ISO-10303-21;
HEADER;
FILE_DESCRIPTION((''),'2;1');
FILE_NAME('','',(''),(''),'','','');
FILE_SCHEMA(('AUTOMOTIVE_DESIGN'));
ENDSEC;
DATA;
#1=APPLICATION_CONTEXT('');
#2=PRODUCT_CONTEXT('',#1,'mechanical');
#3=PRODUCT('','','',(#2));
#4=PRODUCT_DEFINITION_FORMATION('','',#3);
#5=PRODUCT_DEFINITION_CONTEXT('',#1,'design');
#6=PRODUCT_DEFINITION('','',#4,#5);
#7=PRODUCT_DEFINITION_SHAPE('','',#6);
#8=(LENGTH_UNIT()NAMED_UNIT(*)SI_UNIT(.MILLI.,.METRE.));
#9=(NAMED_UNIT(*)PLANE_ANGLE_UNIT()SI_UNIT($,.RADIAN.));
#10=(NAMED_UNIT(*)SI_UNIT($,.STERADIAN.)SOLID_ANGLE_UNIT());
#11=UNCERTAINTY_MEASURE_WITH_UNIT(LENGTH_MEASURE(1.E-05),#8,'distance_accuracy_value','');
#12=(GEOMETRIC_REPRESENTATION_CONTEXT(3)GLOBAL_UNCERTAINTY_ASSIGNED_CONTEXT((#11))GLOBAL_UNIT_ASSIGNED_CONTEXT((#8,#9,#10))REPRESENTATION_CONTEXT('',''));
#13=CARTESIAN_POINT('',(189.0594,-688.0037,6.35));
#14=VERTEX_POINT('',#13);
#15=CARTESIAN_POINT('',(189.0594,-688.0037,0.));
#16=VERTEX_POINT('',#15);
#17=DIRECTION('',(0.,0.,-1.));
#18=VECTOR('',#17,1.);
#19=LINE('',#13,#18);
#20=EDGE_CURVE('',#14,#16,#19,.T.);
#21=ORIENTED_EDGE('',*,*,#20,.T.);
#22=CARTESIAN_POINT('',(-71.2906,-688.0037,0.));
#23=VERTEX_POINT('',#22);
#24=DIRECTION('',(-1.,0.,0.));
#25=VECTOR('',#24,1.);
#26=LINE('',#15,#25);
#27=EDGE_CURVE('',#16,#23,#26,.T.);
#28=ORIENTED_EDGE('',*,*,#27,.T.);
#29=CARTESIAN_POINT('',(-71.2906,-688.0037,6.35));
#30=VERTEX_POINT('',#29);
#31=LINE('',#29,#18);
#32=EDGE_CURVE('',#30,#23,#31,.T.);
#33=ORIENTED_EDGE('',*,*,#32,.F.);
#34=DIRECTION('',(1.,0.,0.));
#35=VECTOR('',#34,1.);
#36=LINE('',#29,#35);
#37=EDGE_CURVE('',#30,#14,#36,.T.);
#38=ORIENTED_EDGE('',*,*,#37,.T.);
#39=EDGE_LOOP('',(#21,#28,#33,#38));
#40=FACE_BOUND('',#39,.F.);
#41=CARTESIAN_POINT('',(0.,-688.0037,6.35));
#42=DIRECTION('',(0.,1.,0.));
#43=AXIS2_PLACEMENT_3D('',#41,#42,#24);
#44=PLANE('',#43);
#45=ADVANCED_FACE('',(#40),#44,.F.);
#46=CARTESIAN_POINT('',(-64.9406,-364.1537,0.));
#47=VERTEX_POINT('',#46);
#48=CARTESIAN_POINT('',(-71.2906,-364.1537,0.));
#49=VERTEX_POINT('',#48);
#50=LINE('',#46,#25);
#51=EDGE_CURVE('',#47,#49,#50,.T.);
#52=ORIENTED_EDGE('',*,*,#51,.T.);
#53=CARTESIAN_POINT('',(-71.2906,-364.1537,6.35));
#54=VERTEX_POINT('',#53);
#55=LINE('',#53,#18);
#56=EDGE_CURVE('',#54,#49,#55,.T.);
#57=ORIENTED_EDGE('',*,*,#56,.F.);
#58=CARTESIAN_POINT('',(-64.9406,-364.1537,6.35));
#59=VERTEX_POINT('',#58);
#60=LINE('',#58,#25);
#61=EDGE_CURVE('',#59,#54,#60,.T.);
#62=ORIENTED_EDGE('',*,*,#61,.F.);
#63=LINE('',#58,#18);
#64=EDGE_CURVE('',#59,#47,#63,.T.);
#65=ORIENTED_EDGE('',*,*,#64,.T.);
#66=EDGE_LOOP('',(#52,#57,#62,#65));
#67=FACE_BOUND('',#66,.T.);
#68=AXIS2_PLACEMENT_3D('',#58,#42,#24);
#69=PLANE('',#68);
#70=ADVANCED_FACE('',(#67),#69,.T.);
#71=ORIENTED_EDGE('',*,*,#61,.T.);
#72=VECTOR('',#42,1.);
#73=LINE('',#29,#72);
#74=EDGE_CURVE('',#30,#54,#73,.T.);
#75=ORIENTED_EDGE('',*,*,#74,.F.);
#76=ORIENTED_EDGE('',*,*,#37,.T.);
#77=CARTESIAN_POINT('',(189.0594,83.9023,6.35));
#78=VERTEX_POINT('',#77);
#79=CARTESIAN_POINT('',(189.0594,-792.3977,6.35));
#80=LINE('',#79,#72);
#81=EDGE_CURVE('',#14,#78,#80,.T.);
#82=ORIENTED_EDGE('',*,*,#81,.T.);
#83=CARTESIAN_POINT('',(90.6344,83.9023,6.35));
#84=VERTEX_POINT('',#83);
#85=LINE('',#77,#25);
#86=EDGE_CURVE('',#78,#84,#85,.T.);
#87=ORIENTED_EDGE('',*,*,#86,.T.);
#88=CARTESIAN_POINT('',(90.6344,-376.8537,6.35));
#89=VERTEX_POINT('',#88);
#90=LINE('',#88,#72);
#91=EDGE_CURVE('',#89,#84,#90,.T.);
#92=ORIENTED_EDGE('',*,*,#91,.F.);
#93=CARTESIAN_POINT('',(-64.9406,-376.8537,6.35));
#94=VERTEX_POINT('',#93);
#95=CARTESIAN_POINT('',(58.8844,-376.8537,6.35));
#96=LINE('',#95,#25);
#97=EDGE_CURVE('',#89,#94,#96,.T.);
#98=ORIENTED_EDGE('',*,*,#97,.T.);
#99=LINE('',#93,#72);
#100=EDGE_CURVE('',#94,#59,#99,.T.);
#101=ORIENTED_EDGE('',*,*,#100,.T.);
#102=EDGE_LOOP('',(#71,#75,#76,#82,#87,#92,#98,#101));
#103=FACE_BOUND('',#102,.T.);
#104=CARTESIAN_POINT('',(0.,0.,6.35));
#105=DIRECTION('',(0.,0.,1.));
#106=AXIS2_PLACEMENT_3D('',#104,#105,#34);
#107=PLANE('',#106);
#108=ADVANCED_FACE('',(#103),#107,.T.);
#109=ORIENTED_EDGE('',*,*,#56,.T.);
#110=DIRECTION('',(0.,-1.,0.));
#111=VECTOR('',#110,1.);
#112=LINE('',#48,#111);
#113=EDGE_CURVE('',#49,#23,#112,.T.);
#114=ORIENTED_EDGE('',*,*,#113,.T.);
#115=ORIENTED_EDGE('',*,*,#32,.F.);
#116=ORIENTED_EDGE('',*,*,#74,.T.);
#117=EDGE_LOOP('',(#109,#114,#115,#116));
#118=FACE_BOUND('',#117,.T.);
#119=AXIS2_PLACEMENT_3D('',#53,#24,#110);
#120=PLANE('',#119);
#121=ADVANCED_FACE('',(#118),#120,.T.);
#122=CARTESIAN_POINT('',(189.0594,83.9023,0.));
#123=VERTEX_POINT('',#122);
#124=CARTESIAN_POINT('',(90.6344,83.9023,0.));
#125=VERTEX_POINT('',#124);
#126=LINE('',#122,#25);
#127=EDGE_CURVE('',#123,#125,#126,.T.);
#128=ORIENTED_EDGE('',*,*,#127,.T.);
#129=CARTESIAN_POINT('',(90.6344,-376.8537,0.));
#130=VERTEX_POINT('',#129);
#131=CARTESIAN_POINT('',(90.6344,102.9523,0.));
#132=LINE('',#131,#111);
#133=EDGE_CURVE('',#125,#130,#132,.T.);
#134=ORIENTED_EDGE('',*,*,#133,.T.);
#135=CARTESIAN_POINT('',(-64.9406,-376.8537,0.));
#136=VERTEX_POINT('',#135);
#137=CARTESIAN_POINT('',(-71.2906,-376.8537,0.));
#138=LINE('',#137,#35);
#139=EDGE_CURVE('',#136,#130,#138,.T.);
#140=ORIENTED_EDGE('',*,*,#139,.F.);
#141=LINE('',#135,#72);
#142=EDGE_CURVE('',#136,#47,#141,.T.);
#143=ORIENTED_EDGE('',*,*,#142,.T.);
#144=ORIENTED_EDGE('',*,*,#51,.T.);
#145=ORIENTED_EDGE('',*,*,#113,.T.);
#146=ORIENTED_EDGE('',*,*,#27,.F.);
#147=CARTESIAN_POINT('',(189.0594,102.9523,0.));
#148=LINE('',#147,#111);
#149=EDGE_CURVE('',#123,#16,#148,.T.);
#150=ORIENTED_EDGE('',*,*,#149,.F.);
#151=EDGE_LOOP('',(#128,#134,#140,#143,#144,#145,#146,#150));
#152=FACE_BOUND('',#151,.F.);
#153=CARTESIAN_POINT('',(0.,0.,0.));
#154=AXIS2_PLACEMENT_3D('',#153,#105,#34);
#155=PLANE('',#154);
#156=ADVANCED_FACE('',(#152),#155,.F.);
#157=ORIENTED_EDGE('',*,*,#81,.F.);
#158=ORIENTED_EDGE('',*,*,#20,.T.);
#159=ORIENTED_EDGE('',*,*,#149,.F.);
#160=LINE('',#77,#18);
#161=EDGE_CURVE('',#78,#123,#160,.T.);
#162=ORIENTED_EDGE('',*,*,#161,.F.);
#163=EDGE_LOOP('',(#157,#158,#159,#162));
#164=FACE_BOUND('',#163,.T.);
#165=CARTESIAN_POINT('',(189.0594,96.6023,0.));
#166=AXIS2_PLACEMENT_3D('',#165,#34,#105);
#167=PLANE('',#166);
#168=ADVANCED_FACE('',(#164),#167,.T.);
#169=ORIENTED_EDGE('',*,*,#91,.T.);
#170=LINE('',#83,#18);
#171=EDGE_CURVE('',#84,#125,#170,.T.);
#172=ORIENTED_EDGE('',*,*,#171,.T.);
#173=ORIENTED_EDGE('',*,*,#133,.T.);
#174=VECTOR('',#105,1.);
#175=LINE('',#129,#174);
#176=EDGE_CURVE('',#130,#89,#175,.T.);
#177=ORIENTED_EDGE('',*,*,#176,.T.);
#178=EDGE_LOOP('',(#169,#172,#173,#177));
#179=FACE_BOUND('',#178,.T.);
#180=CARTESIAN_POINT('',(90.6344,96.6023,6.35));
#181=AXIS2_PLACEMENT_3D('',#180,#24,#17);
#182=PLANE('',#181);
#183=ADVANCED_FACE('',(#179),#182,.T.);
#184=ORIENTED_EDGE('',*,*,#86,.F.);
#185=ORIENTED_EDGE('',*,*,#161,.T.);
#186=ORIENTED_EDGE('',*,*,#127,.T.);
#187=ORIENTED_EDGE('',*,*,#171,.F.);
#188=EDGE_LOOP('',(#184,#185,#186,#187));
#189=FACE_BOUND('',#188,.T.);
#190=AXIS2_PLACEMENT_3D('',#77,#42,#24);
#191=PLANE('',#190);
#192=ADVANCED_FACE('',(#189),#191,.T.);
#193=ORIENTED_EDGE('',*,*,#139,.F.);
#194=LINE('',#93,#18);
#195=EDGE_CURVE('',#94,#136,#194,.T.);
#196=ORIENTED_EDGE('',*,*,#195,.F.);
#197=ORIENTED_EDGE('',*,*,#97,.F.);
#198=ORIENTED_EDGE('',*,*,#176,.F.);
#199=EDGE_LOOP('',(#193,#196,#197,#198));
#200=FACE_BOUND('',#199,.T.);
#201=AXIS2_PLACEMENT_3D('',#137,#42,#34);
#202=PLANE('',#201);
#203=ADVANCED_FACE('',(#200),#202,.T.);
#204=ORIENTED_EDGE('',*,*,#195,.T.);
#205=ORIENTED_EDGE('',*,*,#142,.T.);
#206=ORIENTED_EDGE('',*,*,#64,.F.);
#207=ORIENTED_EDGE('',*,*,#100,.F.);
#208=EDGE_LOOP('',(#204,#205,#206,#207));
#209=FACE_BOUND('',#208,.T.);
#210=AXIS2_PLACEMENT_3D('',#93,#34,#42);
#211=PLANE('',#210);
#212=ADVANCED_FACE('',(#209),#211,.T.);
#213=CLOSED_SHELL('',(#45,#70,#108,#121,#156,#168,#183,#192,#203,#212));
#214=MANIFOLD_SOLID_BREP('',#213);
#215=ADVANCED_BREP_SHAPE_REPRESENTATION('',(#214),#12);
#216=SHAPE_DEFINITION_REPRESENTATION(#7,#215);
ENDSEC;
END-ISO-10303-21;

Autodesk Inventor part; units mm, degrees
ref_plane "YZ Plane" through (0, 0, 0) normal (1, 0, 0) x (0, 1, 0)
ref_plane "XZ Plane" through (0, 0, 0) normal (0, 1, 0) x (-1, 0, 0)
ref_plane "XY Plane" through (0, 0, 0) normal (0, 0, 1) x (1, 0, 0)
sketch "Sketch1" plane through (0, 0, 0) normal (0, 0, 1) x (1, 0, 0)
  line L0 (-64.9406, 96.6023) -> (189.0594, 96.6023)
  line L1 (189.0594, 96.6023) -> (189.0594, -792.3977)
  line L2 (189.0594, -792.3977) -> (-64.9406, -792.3977)
  line L3 (-64.9406, -792.3977) -> (-64.9406, 96.6023)
  line L4 (-64.9406, 96.6023) -> (87.4594, 96.6023)
  line L5 (87.4594, 96.6023) -> (87.4594, -364.1537)
  line L6 (87.4594, -364.1537) -> (-64.9406, -364.1537)
  line L7 (-64.9406, -364.1537) -> (-64.9406, 96.6023)
  point P0 (0, 0)
  dimension "d0" = 254
  dimension "d1" = 889
  dimension "d2" = 152.4
  dimension "d3" = 460.756
extrude "Extrusion1" add sketch "Sketch1" along normal blind 6.35 contours L0 L1 L2 L3 L6 L5
sketch "Sketch2" plane through (-64.9406, -792.3977, 0) normal (-1, 0, 0) x (0, 0, 1)
  line L0 (6.35, 428.244) -> (0, 428.244) projected
  line L1 (0, 428.244) -> (0, 0) projected
  line L2 (0, 0) -> (6.35, 0) projected
  line L3 (6.35, 0) -> (6.35, 428.244) projected
  point P0 (0, 792.3977)
extrude "Extrusion2" add sketch "Sketch2" along normal blind 6.35
sketch "Sketch3" plane through (0, 0, 6.35) normal (0, 0, 1) x (1, 0, 0)
  line L0 (87.4594, 96.6023) -> (189.0594, 96.6023) projected
  line L1 (87.4594, -364.1537) -> (90.6344, -364.1537)
  line L2 (90.6344, -364.1537) -> (90.6344, 96.6023)
  line L3 (90.6344, 96.6023) -> (87.4594, 96.6023)
  line L4 (87.4594, 96.6023) -> (87.4594, -364.1537)
  point P0 (0, 0)
  dimension "d8" = 3.175
extrude "Extrusion3" cut sketch "Sketch3" against normal blind 6.35
sketch "Sketch4" plane through (189.0594, 96.6023, 6.35) normal (0, 1, 0) x (1, 0, 0)
  line L0 (-98.425, 6.35) -> (-98.425, 0) projected
  line L1 (-98.425, 0) -> (0, 0) projected
  line L2 (0, 6.35) -> (0, 0) projected
  line L3 (0, 6.35) -> (-98.425, 6.35) projected
  point P0 (-189.0594, 6.35)
extrude "Extrusion4" add sketch "Sketch4" along normal blind 6.35
sketch "Sketch5" plane through (189.0594, 102.9523, 6.35) normal (0, 1, 0) x (1, 0, 0)
  line L0 (-98.425, 6.35) -> (0, 6.35) projected
  line L1 (-98.425, 0) -> (-98.425, 6.35) projected
  line L2 (0, 0) -> (-98.425, 0) projected
  line L3 (0, 6.35) -> (0, 0) projected
  point P0 (-189.0594, 6.35)
extrude "Extrusion5" cut sketch "Sketch5" against normal blind 6.35
sketch "Sketch6" plane through (189.0594, 96.6023, 6.35) normal (0, 1, 0) x (1, 0, 0)
  line L0 (-98.425, 0) -> (-98.425, 6.35) projected
  line L1 (0, 0) -> (-98.425, 0) projected
  line L2 (0, 6.35) -> (0, 0) projected
  line L3 (-98.425, 6.35) -> (0, 6.35) projected
  point P0 (-189.0594, 6.35)
extrude "Extrusion6" add sketch "Sketch6" along normal blind 6.35
sketch "Sketch7" plane through (0, 0, 6.35) normal (0, 0, 1) x (1, 0, 0)
  line L0 (90.6344, -364.1537) -> (-71.2906, -364.1537) projected
  line L1 (-71.2906, -364.1537) -> (-71.2906, -792.3977) projected
  line L2 (189.0594, -792.3977) -> (-71.2906, -792.3977) projected
  line L3 (189.0594, 102.9523) -> (189.0594, -792.3977) projected
  line L4 (189.0594, 102.9523) -> (90.6344, 102.9523) projected
  line L5 (0, -364.1537) -> (0, -688.0037)
  line L6 (0, -688.0037) -> (-71.2906, -688.0037)
  line L7 (0, -688.0037) -> (189.0594, -688.0037)
  point P0 (0, 0)
  dimension "d17" = 323.85
extrude "Extrusion7" cut sketch "Sketch7" against normal blind 25.4 contours L7 L3 L2 L1 L6
sketch "Sketch8" plane through (0, 0, 0) normal (0, 0, -1) x (-1, 0, 0)
  line L0 (71.2906, -688.0037) -> (71.2906, -364.1537) projected
  line L1 (-90.6344, -364.1537) -> (71.2906, -364.1537)
  line L2 (71.2906, -364.1537) -> (71.2906, -376.8537)
  line L3 (71.2906, -376.8537) -> (-90.6344, -376.8537)
  line L4 (-90.6344, -376.8537) -> (-90.6344, -364.1537)
  point P0 (0, 0)
  dimension "d20" = 12.7
extrude "Extrusion8" cut sketch "Sketch8" against normal blind 25.4
sketch "Sketch9" plane through (0, 0, 6.35) normal (0, 0, 1) x (1, 0, 0)
  line L0 (-71.2906, -376.8537) -> (-64.9406, -376.8537)
  line L1 (-64.9406, -376.8537) -> (-64.9406, -364.1537)
  line L2 (-64.9406, -364.1537) -> (-71.2906, -364.1537)
  line L3 (-71.2906, -364.1537) -> (-71.2906, -376.8537)
  point P0 (0, 0)
  dimension "d23" = 6.35
  dimension "d24" = 12.7
extrude "Extrusion9" add sketch "Sketch9" against normal blind 6.35
sketch "Sketch10" plane through (0, 0, 6.35) normal (0, 0, 1) x (1, 0, 0)
  line L0 (189.0594, 102.9523) -> (189.0594, -688.0037) projected
  line L1 (189.0594, 102.9523) -> (90.6344, 102.9523) projected
  line L2 (90.6344, 102.9523) -> (189.0594, 102.9523)
  line L3 (189.0594, 102.9523) -> (189.0594, 83.9023)
  line L4 (189.0594, 83.9023) -> (90.6344, 83.9023)
  line L5 (90.6344, 83.9023) -> (90.6344, 102.9523)
  point P0 (0, 0)
  dimension "d27" = 19.05
extrude "Extrusion10" cut sketch "Sketch10" against normal blind 6.35
properties part number "side"
